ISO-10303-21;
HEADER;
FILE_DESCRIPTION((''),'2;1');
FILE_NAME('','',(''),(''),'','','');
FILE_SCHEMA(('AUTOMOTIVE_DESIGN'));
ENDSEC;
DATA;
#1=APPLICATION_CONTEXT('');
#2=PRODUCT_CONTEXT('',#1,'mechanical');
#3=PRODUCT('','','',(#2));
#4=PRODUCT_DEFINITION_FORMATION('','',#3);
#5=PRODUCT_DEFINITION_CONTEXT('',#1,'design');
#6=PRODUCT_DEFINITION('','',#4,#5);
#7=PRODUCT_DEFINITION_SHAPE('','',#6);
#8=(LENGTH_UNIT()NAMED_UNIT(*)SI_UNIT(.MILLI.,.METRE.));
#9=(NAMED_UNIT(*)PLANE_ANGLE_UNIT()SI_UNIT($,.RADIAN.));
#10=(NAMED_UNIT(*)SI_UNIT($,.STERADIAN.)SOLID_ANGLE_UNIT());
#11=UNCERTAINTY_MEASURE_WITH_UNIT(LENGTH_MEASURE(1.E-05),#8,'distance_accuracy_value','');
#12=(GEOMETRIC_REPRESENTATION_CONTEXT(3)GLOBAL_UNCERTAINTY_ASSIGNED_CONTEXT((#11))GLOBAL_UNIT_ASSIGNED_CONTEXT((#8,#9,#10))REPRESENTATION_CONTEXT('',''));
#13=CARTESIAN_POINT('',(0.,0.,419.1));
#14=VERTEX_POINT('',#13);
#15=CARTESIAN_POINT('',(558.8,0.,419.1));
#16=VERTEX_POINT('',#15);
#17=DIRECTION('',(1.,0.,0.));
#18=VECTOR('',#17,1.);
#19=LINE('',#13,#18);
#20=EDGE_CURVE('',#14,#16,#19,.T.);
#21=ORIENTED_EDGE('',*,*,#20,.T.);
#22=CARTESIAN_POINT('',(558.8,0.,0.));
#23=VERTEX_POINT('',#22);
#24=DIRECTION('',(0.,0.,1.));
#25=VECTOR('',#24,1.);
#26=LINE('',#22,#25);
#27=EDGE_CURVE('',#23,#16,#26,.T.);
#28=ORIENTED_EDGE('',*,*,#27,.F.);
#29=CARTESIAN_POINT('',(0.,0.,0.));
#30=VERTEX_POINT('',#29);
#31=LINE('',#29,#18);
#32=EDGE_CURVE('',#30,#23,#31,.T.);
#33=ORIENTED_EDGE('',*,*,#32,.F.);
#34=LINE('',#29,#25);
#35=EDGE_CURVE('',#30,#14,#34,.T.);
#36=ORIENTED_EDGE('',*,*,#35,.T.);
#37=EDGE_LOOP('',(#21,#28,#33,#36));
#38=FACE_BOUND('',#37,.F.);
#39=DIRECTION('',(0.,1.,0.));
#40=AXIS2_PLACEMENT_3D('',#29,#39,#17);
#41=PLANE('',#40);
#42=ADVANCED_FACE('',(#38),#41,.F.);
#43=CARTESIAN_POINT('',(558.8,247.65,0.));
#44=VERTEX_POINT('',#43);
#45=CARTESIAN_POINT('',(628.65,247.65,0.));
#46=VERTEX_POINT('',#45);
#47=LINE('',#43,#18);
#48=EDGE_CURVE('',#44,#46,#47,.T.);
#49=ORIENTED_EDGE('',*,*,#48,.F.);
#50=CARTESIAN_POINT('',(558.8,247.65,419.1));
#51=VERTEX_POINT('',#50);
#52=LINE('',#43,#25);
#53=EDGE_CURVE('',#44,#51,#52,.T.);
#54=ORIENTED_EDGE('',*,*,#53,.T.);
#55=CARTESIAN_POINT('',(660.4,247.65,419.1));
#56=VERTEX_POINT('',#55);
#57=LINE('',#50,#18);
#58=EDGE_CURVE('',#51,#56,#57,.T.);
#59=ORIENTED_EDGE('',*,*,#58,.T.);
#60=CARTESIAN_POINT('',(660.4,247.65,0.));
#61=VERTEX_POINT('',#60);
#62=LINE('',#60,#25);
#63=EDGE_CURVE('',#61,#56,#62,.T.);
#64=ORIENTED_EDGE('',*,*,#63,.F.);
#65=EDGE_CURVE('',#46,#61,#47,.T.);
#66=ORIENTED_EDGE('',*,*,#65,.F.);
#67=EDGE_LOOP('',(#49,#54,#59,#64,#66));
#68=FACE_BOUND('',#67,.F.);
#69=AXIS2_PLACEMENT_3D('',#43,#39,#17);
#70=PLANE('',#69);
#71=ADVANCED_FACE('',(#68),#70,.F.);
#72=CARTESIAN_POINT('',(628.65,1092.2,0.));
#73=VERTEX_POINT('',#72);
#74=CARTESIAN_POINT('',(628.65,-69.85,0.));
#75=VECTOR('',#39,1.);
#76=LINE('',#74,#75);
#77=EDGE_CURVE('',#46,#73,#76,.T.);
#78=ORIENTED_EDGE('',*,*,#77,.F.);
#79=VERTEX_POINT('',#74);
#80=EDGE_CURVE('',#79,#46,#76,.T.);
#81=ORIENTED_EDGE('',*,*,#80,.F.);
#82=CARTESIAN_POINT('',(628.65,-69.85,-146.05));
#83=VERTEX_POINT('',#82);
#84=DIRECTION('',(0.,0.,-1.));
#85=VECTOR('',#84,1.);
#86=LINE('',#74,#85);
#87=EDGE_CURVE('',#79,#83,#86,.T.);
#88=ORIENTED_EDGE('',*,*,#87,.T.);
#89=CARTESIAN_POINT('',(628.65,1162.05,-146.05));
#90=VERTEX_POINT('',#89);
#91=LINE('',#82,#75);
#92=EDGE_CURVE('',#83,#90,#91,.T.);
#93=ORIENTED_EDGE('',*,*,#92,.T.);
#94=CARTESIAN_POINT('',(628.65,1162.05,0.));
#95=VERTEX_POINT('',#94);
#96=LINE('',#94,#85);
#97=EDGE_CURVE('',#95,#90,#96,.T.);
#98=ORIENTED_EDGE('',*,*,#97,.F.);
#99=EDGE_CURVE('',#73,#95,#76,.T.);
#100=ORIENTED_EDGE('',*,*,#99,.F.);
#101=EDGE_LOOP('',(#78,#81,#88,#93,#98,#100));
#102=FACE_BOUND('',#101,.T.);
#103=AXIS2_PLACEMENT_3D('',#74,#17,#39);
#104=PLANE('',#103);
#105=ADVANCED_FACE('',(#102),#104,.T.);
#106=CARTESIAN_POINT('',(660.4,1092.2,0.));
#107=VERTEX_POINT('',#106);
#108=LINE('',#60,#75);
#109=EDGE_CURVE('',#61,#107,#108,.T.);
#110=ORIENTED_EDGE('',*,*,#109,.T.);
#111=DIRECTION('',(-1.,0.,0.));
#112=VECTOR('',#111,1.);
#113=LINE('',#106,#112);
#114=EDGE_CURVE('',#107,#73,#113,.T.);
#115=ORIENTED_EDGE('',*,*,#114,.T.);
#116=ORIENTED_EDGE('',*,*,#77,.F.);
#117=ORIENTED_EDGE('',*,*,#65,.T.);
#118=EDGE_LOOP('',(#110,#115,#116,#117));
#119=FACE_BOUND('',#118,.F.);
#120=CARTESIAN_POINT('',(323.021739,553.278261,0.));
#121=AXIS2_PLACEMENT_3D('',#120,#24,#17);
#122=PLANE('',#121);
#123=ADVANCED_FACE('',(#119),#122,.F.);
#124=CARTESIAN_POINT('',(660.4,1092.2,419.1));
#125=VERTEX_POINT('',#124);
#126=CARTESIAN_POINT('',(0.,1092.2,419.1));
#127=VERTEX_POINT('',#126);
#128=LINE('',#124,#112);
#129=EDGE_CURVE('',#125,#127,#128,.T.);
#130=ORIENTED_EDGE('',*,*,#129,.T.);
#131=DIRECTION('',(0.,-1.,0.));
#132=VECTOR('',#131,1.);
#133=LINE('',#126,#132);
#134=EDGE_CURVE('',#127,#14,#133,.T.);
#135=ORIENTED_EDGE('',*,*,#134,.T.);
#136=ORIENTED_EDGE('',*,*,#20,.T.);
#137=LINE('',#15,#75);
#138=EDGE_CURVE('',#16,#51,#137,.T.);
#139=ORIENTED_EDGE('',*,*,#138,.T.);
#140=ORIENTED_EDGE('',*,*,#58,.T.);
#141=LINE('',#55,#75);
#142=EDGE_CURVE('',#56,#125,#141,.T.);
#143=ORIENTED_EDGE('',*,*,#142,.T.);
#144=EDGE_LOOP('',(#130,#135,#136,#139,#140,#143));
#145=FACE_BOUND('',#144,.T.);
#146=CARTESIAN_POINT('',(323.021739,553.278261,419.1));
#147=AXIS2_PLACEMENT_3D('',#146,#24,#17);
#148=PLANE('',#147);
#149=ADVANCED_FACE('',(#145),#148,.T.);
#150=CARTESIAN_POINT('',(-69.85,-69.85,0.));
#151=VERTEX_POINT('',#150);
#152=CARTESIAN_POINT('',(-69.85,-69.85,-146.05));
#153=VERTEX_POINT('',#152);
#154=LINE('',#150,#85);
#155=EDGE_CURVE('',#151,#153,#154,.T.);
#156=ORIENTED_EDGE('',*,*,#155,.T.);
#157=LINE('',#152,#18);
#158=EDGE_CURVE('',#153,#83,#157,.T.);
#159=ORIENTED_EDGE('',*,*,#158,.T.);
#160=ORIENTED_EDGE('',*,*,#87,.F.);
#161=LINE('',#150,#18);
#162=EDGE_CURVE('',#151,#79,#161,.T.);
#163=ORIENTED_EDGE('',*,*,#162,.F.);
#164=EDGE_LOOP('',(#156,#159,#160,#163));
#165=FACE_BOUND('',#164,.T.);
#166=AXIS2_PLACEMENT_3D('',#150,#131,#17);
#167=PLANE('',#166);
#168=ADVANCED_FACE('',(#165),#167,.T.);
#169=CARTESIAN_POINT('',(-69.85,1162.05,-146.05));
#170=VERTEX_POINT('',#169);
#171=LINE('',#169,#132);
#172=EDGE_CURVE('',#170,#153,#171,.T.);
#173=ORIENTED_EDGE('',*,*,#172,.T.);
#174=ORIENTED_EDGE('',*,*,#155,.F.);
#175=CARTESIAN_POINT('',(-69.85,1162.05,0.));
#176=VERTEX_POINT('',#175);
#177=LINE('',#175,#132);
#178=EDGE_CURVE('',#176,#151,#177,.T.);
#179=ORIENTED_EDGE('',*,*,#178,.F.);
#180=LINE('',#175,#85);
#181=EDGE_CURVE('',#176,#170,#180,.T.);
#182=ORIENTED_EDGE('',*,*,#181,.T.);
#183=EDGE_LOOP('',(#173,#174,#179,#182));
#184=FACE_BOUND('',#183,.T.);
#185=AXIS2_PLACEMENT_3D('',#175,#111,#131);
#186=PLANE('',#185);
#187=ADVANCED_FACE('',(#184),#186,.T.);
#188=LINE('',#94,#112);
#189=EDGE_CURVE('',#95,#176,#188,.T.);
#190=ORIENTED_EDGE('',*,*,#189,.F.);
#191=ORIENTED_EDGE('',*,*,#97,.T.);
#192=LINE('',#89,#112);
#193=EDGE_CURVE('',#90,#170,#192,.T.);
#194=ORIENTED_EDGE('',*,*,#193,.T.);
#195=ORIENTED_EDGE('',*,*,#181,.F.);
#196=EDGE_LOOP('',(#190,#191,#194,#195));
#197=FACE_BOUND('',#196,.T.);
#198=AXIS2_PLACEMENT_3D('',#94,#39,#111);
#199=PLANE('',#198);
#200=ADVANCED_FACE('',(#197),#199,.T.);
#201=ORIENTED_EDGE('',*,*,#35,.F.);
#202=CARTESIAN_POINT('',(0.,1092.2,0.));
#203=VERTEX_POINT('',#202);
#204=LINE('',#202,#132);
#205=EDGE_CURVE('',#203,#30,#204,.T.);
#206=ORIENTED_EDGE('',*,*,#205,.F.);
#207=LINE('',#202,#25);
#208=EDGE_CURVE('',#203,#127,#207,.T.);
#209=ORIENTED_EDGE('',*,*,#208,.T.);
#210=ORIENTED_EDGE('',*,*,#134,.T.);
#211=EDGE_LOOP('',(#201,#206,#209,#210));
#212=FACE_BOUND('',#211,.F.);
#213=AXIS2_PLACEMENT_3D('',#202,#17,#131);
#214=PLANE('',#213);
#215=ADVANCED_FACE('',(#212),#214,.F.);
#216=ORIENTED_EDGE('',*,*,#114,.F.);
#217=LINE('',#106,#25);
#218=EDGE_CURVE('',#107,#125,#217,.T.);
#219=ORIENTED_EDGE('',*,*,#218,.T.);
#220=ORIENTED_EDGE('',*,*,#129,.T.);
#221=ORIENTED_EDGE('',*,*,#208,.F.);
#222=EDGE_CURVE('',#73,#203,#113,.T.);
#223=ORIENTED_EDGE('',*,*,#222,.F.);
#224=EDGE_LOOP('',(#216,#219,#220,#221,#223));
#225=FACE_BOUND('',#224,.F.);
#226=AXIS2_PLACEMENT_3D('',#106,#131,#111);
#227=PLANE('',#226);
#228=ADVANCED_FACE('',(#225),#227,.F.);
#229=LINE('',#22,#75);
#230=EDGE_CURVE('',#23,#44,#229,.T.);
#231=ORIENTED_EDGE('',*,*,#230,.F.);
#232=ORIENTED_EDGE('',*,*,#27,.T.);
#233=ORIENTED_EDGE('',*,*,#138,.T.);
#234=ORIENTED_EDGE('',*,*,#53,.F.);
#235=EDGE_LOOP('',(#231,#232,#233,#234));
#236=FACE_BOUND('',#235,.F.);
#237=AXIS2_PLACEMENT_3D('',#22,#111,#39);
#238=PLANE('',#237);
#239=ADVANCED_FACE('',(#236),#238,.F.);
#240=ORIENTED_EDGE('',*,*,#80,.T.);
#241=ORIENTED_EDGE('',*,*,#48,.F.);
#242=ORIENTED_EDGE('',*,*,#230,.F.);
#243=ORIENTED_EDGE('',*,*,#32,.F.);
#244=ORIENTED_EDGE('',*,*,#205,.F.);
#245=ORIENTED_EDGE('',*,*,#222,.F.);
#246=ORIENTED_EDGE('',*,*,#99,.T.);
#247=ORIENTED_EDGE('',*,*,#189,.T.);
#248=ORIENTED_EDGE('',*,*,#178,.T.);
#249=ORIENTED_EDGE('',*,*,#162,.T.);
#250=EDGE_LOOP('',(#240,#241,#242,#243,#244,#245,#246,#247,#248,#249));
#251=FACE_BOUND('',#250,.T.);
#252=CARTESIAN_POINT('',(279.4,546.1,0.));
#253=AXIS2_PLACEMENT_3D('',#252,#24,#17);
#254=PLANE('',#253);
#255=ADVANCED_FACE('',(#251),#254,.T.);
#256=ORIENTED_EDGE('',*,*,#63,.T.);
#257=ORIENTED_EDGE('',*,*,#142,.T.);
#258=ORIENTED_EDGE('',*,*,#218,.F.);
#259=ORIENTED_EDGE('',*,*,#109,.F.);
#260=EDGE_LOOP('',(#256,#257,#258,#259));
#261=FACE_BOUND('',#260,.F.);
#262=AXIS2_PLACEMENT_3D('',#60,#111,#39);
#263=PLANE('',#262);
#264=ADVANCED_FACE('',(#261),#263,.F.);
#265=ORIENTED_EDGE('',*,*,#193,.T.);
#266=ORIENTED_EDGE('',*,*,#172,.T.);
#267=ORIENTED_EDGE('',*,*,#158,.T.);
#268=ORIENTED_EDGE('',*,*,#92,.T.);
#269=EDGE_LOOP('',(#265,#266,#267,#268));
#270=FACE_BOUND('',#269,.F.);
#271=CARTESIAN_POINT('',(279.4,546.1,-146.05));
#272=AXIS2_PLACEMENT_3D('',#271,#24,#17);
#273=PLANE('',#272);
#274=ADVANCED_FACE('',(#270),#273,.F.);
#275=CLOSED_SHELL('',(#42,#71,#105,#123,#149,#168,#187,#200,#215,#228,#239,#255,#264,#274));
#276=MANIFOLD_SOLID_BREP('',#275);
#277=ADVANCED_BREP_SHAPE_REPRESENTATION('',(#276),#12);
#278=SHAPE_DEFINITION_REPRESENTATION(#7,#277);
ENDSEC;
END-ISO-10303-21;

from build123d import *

# Parameters (mm, degrees)
F1_DEPTH = 419.1
F3_DEPTH = 146.05


with BuildPart() as f1:
    # F0 (on Top) → F1 (new body)
    with BuildSketch(Plane.XY):
        Polygon((0, 1092.2), (0, 0), (558.8, 0), (558.8, 247.65), (660.4, 247.65), (660.4, 1092.2), (558.8, 1092.2), align=None)
    extrude(amount=F1_DEPTH)

    # F2 (on Top) → F3 (join)
    with BuildSketch(Plane.XY):
        Polygon((628.65, 1162.05), (-69.85, 1162.05), (-69.85, -69.85), (628.65, -69.85), (628.65, 133.35), (628.65, 958.85), align=None)
    extrude(amount=-F3_DEPTH)


solid = f1.part
